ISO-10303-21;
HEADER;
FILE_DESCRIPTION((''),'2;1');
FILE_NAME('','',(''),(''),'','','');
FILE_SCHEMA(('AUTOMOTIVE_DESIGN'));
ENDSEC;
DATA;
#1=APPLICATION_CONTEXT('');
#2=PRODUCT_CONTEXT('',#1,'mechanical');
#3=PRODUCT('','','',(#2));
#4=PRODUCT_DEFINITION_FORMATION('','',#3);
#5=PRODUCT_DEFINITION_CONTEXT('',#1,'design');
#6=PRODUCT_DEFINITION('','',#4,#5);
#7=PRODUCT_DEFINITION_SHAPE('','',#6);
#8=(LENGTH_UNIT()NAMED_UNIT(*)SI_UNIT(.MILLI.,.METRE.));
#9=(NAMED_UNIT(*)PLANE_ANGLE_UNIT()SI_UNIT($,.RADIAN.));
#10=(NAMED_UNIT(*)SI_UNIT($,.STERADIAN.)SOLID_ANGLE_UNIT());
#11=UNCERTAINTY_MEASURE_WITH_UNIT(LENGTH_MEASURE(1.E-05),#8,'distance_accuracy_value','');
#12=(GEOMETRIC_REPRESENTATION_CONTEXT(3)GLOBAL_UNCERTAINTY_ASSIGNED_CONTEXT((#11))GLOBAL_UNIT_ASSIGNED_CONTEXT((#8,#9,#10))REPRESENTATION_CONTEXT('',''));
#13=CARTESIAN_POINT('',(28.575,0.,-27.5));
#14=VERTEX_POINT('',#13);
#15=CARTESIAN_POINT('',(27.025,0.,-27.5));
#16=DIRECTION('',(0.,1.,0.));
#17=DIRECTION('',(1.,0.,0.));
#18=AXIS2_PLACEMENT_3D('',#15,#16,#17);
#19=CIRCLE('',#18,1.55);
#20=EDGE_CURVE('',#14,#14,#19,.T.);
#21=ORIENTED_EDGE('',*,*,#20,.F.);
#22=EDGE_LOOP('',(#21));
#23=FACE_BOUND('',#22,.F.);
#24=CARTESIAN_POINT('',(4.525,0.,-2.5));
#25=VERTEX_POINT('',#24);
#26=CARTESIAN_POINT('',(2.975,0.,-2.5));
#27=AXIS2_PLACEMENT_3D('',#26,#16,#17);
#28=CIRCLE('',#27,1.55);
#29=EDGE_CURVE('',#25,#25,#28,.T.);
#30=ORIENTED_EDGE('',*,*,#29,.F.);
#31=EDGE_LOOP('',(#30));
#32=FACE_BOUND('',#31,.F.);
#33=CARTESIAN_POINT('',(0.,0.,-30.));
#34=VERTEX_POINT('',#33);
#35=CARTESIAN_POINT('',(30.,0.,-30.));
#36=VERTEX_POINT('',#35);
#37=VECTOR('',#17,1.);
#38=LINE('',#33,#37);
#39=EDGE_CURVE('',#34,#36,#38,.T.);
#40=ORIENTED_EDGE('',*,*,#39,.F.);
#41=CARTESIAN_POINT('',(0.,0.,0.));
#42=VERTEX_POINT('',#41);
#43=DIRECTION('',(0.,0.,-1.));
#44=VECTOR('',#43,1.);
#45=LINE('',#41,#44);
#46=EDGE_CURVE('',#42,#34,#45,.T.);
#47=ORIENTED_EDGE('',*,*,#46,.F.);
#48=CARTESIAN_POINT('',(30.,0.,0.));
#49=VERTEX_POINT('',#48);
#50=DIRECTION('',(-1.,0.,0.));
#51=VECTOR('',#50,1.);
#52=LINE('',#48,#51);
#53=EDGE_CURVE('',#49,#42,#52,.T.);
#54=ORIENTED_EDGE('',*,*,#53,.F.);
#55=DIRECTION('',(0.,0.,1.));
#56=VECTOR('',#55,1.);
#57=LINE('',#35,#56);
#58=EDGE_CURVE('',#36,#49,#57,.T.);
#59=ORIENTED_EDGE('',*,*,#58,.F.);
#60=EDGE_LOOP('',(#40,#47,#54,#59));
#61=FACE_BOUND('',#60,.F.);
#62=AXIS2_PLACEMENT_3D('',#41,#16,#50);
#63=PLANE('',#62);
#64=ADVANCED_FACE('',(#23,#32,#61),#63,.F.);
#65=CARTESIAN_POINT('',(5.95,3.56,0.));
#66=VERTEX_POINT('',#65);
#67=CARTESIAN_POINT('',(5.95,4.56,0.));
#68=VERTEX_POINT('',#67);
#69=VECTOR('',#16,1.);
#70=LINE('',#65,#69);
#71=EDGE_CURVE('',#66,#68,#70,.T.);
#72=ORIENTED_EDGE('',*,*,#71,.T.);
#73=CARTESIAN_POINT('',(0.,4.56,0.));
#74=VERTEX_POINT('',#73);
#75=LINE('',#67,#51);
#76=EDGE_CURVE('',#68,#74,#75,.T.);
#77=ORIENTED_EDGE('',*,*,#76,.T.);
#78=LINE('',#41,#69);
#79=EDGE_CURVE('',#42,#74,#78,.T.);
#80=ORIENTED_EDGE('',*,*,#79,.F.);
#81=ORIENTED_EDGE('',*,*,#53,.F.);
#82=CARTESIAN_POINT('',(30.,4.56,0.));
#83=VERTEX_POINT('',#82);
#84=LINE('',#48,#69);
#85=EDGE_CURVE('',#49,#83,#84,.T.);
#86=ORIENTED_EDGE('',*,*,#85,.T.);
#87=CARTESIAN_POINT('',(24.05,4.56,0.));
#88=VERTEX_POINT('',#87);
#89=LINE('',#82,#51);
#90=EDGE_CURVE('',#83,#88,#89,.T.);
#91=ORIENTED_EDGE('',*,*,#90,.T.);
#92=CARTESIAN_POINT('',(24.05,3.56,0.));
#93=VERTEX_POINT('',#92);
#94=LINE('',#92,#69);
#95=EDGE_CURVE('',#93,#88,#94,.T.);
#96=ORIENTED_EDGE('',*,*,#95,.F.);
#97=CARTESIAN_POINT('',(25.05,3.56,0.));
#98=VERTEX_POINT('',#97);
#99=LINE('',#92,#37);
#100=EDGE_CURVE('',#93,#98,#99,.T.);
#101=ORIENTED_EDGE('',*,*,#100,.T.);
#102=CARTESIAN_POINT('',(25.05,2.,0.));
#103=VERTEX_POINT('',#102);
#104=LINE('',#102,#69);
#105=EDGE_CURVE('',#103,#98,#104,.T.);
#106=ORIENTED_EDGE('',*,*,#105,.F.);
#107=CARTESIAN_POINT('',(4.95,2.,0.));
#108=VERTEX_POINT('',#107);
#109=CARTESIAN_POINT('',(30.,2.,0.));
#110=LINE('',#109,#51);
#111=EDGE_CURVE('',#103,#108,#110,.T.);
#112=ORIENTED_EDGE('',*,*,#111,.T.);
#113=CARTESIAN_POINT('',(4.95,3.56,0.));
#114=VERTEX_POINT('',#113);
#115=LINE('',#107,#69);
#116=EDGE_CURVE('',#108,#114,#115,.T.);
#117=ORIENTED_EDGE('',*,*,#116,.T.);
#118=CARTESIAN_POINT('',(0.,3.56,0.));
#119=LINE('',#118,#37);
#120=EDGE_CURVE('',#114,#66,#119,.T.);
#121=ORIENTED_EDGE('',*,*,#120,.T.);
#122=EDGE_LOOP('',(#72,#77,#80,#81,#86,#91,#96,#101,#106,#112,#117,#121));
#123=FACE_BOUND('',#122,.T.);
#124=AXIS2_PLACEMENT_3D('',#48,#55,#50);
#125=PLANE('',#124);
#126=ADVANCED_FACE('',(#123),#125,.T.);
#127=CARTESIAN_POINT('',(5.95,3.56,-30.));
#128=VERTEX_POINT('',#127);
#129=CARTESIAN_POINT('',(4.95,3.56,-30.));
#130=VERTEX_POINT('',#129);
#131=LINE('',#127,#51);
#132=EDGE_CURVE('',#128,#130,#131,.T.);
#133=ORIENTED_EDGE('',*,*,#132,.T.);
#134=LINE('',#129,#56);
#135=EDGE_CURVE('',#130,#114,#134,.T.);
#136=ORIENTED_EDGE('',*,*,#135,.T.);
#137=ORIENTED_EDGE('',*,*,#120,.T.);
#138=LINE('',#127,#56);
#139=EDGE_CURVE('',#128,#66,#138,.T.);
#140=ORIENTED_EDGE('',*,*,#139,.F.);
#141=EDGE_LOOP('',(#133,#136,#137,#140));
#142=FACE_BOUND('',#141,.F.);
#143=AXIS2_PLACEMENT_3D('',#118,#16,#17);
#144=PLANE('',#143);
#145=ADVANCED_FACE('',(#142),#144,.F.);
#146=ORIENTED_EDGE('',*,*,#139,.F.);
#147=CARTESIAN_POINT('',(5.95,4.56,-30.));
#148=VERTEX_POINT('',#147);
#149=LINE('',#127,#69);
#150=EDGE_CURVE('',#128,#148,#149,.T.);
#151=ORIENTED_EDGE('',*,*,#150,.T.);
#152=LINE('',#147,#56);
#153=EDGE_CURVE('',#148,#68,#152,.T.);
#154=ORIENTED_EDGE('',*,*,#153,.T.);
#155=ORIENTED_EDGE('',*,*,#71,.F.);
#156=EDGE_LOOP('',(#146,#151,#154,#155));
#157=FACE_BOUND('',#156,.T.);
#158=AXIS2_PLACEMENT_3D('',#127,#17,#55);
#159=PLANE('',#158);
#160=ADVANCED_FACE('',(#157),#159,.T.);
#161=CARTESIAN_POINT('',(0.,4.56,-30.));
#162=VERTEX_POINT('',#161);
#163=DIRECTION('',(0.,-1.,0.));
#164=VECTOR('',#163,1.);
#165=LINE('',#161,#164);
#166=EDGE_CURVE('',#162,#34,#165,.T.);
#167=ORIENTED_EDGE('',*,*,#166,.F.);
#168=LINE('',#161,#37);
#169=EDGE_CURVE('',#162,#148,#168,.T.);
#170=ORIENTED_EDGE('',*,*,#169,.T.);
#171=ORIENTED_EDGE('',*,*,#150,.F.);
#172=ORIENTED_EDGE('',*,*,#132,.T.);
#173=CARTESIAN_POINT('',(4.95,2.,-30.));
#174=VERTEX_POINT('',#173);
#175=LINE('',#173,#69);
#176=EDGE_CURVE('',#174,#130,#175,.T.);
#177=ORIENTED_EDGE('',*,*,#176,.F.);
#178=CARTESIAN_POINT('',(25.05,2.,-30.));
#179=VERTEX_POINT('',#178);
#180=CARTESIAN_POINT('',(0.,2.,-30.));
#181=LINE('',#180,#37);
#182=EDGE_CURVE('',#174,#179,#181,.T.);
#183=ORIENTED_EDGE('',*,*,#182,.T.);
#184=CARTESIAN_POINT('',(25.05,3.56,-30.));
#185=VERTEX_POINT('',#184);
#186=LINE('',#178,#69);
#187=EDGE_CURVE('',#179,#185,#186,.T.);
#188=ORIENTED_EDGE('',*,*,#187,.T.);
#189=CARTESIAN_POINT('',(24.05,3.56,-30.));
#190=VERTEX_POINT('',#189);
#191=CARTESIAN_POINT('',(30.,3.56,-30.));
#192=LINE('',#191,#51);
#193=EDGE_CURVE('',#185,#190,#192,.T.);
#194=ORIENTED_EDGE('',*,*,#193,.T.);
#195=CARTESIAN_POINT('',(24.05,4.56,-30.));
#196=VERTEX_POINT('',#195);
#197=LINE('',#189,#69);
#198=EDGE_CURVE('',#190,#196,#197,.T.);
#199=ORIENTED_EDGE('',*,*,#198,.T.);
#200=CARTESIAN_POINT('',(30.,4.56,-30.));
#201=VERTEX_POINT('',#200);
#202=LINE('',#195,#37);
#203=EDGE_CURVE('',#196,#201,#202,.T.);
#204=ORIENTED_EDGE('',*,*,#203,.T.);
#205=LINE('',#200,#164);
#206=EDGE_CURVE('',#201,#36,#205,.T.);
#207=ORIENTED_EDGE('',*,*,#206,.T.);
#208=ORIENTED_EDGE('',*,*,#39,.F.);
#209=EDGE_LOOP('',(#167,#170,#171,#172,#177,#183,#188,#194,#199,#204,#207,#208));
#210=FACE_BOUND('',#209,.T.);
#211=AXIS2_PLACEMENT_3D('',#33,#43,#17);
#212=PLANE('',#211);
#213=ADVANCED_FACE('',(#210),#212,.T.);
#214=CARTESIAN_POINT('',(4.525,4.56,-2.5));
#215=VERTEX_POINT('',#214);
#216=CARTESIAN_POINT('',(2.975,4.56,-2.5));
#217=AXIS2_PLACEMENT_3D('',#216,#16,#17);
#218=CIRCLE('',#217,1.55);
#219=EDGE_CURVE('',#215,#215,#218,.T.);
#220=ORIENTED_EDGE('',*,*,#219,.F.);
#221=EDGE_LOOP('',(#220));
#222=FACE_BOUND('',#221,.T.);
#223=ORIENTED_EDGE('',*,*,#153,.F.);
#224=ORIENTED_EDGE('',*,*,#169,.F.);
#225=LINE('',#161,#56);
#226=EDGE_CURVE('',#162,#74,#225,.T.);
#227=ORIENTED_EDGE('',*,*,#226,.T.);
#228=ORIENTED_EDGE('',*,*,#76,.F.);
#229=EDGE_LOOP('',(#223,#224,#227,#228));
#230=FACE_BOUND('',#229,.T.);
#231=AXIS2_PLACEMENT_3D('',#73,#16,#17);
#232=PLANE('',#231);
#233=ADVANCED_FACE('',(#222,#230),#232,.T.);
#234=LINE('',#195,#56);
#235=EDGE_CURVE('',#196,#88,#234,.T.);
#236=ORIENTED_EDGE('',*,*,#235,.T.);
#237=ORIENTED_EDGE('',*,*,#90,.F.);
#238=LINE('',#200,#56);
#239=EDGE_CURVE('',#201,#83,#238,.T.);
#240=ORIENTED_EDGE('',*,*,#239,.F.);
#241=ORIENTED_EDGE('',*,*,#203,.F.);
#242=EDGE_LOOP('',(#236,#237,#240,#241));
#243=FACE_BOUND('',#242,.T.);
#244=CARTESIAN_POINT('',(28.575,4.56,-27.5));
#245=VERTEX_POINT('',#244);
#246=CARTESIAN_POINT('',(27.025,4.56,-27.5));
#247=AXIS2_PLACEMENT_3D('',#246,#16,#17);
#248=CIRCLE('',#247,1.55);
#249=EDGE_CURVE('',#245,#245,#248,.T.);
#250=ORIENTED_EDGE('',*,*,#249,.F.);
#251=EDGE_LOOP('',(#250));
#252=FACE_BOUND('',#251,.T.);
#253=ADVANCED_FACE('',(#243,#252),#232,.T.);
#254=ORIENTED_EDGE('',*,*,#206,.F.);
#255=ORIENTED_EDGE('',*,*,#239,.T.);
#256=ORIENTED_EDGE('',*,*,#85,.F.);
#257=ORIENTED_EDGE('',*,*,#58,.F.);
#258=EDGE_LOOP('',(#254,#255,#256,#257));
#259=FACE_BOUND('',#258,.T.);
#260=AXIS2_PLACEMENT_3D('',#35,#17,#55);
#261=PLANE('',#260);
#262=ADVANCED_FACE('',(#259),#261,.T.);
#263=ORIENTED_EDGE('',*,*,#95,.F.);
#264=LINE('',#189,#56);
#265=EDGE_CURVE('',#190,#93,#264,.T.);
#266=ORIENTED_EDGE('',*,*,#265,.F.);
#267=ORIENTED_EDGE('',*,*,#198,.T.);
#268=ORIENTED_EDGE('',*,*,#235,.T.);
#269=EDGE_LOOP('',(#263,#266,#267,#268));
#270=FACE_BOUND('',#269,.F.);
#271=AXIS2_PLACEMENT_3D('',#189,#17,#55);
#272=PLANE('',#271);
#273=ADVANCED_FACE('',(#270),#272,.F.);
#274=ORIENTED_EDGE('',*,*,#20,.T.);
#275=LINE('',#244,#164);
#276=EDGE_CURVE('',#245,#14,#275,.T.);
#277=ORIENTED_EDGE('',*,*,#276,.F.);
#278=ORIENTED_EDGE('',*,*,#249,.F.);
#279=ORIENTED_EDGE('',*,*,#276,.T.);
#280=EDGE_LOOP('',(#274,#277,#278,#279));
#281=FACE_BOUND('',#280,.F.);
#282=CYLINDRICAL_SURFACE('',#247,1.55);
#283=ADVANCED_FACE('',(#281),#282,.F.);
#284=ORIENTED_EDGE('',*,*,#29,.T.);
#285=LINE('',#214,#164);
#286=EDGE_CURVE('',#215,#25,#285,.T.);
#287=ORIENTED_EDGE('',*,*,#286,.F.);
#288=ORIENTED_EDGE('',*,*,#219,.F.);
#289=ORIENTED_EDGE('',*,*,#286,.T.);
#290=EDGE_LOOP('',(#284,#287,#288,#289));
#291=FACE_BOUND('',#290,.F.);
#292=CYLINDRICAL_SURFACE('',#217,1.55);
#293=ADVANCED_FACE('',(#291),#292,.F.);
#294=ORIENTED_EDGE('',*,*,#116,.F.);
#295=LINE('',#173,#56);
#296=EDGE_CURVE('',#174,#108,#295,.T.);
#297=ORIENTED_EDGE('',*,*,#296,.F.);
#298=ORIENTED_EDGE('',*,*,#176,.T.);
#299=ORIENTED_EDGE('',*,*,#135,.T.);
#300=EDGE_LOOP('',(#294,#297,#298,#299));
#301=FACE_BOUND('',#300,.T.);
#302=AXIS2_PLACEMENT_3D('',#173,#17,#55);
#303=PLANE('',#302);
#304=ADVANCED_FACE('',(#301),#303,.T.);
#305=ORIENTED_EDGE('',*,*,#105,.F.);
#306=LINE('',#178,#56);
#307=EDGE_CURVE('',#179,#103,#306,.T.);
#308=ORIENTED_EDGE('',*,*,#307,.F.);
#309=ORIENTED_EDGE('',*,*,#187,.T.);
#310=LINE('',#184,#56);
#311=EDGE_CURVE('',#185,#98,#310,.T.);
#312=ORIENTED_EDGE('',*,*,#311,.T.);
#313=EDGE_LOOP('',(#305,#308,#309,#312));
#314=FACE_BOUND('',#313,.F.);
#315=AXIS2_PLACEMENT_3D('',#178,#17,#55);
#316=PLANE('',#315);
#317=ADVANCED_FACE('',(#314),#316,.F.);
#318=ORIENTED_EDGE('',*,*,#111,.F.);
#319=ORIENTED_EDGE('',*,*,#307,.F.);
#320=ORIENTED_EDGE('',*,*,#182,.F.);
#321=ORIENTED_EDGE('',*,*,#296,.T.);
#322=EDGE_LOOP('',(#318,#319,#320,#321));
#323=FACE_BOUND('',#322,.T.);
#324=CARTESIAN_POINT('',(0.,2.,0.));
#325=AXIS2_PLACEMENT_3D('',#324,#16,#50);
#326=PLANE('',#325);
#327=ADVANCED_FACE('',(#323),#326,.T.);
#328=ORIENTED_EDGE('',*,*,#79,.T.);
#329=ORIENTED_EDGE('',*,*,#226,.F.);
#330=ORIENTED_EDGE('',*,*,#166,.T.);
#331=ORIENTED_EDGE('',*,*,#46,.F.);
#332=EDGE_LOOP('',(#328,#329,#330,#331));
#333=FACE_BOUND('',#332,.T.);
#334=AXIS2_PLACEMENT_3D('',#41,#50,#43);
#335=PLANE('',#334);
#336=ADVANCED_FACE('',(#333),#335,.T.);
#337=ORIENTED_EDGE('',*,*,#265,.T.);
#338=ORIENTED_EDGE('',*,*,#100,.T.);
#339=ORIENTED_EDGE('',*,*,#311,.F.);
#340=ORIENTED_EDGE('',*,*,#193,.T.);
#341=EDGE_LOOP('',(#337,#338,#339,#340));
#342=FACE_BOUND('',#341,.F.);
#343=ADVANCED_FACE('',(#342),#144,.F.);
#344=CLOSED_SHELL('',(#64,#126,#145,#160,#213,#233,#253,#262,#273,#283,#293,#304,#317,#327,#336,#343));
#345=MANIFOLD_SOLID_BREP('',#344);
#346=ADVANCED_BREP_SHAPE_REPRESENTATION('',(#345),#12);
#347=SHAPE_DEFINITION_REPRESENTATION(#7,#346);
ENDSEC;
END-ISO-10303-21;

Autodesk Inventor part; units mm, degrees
ref_plane "YZ Plane" through (0, 0, 0) normal (1, 0, 0) x (0, 1, 0)
ref_plane "XZ Plane" through (0, 0, 0) normal (0, 1, 0) x (-1, 0, 0)
ref_plane "XY Plane" through (0, 0, 0) normal (0, 0, 1) x (1, 0, 0)
sketch "Sketch1" plane through (0, 0, 0) normal (0, 1, 0) x (-1, 0, 0)
  line L0 (0, 0) -> (0, -30)
  line L1 (0, -30) -> (-30, -30)
  line L2 (-30, -30) -> (-30, 0)
  line L3 (-30, 0) -> (0, 0)
  dimension "d0" = 30
  dimension "d1" = 30
extrude "Extrusion1" add sketch "Sketch1" along normal blind 2
sketch "Sketch2" plane through (0, 2, 0) normal (0, 1, 0) x (1, 0, 0)
  line L0 (0, 30) -> (0, 0) projected
  line L1 (25.05, 0) -> (30, 0)
  line L2 (30, 0) -> (30, 30) projected
  line L3 (30, 0) -> (30, 30)
  line L4 (30, 30) -> (25.05, 30)
  line L5 (25.05, 30) -> (25.05, 0)
  line L6 (30, 0) -> (30, 30)
  line L7 (0, 0) -> (30, 0) projected
  line L8 (30, 30) -> (0, 30) projected
  line L9 (4.95, 0) -> (0, 0)
  line L10 (0, 0) -> (0, 30)
  line L11 (0, 30) -> (4.95, 30)
  line L12 (4.95, 30) -> (4.95, 0)
  point P0 (4.95, 0)
extrude "Extrusion2" add sketch "Sketch2" along normal blind 1.56 contours L8 L12 L7 L0 | L4 L2 L1 L5
sketch "Sketch3" plane through (0, 3.56, 0) normal (0, 1, 0) x (1, 0, 0)
  line L0 (0, 30) -> (0, 0) projected
  line L1 (0, 0) -> (0, 30)
  line L2 (0, 30) -> (5.95, 30)
  line L3 (5.95, 30) -> (5.95, 0)
  line L4 (5.95, 0) -> (0, 0)
  line L5 (4.95, 0) -> (25.05, 0) projected
  line L6 (25.05, 30) -> (4.95, 30) projected
  line L7 (30, 30) -> (30, 0)
  line L8 (30, 0) -> (30, 30)
  line L9 (30, 30) -> (24.05, 30)
  line L10 (24.05, 30) -> (24.05, 0)
  line L11 (24.05, 0) -> (30, 0)
  point P0 (24.05, 0)
  dimension "d8" = 30
  dimension "d9" = 5.95
extrude "Extrusion3" add sketch "Sketch3" along normal blind 1 contours L2 L3 L4 L0 | L6 L9 L7 L11 L5 L10
sketch "Sketch5" plane through (0, 4.56, 0) normal (0, 1, 0) x (1, 0, 0)
  circle A0 centre (2.975, 2.5) radius 1.55
  circle A1 centre (27.025, 27.5) radius 1.55
  line L0 (30, 30) -> (24.05, 30) projected
  line L1 (30, 0) -> (30, 30) projected
  line L2 (0, 30) -> (0, 0) projected
  line L3 (0, 0) -> (5.95, 0) projected
  dimension "d13" = 3.1
  dimension "d14" = 3.1
  dimension "d15" = 2.5
  dimension "d16" = 2.975
  dimension "d18" = 2.975
  dimension "d19" = 2.5
extrude "Extrusion4" cut sketch "Sketch5" against normal blind 10
sketch "Sketch6" plane through (0, 2, 0) normal (0, 1, 0) x (1, 0, 0)
  circle A0 centre (27.025, 27.5) radius 1.55 projected
  point P0 (0, 0)
properties part number "rplidar_adapter_board_holder" material "PET Plastic"
